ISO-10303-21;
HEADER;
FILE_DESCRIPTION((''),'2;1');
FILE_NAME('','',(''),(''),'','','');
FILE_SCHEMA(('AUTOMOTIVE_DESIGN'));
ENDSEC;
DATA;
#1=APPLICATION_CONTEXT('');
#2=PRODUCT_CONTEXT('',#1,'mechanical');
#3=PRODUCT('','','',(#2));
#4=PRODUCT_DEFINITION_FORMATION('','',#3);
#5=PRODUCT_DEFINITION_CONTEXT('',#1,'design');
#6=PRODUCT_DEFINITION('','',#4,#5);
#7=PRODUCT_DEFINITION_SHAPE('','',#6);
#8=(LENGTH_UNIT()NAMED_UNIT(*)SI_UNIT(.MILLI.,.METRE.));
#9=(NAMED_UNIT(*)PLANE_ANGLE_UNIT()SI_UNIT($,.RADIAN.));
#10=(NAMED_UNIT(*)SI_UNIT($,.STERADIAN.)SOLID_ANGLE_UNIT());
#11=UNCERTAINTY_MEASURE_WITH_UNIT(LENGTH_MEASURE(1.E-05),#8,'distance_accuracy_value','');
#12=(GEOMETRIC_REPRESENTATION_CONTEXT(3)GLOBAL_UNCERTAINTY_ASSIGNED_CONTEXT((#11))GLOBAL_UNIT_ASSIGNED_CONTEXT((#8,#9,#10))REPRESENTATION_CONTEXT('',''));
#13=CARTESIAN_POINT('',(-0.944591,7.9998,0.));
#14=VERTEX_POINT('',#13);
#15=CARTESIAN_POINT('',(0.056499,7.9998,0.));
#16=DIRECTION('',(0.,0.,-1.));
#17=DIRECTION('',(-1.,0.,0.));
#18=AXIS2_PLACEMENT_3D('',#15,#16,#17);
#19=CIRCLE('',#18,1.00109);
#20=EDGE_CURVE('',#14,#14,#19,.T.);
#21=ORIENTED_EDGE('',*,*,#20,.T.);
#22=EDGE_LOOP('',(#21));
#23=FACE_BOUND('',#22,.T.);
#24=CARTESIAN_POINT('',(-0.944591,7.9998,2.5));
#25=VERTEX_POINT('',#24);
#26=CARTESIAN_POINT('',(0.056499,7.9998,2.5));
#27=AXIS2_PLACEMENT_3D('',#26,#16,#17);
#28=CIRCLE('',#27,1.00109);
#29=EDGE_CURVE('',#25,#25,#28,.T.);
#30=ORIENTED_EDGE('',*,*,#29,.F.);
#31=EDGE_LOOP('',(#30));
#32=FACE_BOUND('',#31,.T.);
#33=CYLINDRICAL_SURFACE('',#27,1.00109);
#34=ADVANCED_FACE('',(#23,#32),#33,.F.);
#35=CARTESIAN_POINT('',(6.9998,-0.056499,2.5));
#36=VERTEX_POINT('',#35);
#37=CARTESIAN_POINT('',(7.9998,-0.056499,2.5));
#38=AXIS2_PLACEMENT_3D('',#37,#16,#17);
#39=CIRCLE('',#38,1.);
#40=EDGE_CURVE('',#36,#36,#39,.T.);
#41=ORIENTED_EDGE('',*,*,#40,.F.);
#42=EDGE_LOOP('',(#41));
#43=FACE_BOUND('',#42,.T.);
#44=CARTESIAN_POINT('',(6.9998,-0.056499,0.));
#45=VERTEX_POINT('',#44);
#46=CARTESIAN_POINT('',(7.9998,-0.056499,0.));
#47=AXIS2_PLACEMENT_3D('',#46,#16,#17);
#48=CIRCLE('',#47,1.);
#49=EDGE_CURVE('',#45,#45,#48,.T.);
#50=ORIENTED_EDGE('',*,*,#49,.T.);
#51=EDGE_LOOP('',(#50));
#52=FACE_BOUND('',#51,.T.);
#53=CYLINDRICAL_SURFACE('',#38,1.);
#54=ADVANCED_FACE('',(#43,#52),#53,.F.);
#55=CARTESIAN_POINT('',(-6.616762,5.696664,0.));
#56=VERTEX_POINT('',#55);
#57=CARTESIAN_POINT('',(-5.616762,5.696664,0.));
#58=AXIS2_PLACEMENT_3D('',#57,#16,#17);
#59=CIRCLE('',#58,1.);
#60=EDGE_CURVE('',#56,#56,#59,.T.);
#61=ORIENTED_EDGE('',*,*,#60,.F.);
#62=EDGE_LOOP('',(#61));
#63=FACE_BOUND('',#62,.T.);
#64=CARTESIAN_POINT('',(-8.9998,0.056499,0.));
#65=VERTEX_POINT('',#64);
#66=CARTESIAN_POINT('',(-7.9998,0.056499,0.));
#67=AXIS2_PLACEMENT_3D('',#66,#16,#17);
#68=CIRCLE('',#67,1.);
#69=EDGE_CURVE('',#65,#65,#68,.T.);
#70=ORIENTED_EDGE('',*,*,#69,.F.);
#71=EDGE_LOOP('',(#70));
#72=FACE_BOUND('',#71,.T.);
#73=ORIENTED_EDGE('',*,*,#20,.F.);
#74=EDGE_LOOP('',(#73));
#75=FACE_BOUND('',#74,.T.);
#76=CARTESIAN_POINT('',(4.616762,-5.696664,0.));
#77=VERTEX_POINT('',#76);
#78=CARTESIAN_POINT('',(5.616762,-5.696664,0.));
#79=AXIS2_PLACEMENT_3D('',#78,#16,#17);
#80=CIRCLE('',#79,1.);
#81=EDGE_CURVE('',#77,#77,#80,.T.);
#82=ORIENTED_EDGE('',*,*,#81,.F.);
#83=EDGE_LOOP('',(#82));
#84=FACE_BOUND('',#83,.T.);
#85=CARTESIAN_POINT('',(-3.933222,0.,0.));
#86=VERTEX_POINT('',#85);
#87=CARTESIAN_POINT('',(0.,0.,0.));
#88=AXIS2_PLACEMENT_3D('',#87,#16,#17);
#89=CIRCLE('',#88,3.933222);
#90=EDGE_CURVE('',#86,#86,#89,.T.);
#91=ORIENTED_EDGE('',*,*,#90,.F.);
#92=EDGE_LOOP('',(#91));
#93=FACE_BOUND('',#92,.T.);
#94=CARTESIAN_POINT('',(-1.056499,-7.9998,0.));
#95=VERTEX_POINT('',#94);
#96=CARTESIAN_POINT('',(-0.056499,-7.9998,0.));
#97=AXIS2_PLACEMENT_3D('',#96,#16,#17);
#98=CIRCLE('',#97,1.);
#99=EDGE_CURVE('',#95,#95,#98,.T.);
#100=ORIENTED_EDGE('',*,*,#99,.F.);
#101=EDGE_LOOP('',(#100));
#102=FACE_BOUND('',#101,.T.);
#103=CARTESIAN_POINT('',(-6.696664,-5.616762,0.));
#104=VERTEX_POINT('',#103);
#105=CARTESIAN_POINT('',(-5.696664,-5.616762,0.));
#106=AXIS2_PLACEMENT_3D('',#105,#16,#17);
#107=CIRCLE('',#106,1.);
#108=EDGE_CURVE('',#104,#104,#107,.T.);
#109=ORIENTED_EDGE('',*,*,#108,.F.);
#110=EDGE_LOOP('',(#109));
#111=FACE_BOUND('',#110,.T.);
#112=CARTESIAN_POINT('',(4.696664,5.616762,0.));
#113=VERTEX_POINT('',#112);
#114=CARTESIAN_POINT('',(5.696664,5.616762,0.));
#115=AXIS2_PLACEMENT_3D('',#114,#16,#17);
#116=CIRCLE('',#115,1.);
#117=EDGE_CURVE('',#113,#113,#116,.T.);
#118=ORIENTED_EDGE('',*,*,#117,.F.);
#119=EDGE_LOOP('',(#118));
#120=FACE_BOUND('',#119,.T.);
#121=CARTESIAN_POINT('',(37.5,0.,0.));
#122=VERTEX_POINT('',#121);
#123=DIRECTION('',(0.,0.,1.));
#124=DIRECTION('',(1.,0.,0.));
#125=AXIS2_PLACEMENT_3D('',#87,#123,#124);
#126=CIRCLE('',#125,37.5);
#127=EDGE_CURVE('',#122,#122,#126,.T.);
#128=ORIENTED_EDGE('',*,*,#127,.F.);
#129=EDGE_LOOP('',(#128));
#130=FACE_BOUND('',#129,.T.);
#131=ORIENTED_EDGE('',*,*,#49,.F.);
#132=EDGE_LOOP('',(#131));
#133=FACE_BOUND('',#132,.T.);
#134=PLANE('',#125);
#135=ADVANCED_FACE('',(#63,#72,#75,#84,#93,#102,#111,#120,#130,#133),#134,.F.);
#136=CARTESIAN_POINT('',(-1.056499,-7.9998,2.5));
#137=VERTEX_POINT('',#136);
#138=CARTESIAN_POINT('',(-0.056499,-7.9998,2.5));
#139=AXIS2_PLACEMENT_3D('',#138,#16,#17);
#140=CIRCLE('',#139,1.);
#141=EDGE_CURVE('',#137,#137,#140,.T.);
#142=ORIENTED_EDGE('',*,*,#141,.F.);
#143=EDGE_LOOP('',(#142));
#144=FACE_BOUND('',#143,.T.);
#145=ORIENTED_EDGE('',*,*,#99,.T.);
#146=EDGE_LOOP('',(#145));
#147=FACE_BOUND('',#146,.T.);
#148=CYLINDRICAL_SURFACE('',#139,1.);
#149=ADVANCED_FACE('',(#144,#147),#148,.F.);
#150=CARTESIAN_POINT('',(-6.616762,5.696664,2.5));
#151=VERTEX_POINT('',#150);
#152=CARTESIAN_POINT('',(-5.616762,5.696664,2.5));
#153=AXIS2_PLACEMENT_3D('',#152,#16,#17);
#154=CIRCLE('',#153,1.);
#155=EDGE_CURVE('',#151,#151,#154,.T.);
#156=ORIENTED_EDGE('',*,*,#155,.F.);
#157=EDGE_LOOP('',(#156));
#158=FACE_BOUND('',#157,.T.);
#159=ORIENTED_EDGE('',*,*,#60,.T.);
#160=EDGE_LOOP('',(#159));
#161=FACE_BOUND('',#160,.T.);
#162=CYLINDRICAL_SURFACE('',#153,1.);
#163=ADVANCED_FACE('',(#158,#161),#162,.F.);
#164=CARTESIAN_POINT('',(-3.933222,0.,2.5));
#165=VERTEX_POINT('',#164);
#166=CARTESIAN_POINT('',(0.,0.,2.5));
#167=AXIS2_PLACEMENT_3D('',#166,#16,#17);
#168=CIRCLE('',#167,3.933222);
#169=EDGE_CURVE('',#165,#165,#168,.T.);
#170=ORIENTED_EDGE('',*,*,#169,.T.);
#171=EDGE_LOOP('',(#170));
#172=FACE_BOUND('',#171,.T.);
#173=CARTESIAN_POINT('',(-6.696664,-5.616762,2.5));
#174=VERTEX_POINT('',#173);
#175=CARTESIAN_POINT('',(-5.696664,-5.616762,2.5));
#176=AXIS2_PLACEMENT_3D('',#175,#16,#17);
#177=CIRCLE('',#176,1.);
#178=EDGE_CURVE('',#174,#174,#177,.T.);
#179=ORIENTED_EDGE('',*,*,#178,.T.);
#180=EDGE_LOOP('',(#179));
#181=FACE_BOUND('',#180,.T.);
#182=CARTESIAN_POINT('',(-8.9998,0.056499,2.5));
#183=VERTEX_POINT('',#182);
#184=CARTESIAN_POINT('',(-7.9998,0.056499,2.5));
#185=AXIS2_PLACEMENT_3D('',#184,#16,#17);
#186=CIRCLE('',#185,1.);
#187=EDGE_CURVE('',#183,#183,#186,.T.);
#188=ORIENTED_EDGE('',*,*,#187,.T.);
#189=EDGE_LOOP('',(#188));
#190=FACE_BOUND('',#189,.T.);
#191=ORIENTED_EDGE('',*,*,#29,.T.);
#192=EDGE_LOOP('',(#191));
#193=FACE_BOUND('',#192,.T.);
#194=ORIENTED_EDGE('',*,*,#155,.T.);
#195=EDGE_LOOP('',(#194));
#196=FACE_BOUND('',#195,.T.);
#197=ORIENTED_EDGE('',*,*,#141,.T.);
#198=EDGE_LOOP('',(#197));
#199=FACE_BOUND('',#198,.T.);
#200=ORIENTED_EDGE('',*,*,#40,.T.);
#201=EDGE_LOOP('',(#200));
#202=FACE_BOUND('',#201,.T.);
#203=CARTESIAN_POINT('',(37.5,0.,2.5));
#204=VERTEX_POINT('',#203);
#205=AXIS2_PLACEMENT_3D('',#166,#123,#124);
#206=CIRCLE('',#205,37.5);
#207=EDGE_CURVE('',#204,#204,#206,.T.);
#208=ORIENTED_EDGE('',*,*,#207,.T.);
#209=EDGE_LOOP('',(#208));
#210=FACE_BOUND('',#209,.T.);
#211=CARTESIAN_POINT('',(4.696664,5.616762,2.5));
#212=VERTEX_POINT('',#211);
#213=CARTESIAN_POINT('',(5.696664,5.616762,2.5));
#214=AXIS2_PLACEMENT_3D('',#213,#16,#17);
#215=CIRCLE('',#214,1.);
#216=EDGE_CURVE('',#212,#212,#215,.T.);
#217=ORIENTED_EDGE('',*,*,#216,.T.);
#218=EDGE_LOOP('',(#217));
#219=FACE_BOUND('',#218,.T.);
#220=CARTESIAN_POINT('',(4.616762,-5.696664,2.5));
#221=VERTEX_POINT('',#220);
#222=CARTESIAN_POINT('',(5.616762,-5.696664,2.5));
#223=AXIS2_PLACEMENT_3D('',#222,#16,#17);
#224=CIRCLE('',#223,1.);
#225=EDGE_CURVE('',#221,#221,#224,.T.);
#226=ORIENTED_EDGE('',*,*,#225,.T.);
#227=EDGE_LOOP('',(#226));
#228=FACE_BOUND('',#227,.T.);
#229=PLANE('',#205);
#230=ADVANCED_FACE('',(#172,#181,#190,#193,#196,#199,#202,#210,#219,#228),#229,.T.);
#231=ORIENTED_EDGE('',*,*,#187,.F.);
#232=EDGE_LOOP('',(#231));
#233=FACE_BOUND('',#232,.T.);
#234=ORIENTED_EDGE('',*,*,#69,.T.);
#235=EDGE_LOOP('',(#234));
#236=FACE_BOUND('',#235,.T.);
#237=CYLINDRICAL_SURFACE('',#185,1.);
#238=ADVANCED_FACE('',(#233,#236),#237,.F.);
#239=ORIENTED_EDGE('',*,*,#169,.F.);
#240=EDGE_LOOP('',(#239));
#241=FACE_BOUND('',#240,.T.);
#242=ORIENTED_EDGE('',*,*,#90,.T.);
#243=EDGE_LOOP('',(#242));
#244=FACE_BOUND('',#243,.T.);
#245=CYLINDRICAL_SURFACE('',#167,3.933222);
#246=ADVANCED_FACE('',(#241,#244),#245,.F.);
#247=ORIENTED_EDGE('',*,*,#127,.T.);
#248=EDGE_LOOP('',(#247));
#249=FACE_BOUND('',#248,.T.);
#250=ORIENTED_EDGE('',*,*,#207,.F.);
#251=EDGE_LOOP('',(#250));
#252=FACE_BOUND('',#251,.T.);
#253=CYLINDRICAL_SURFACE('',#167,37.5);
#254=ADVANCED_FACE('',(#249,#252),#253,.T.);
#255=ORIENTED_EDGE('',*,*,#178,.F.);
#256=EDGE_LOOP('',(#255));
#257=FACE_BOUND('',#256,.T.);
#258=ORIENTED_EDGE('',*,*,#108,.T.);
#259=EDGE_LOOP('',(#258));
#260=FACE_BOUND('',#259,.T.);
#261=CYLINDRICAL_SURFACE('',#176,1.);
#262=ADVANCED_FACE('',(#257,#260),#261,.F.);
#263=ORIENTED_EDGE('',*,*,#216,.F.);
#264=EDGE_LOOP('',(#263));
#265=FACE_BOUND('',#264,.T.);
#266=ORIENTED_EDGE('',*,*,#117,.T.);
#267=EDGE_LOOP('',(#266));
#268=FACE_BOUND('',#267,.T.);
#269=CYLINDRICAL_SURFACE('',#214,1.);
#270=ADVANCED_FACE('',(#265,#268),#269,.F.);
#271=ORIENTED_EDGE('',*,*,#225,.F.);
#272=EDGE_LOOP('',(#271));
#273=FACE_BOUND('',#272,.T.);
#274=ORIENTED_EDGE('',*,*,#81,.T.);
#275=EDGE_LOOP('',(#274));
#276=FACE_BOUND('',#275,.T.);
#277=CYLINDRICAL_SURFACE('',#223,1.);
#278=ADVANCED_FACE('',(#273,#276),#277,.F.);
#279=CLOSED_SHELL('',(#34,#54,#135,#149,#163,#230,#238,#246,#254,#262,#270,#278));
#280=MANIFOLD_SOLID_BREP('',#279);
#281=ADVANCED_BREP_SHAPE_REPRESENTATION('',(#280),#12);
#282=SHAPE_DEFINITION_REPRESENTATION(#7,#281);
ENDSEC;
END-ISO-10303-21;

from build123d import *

# Parameters (mm, degrees)
SKETCH1_R           = 37.5
BOSS_EXTRUDE1_DEPTH = 2.5
SKETCH2_R           = 3.933222312
SKETCH2_R_2         = 1
SKETCH2_R_3         = 1.00109015
CUT_EXTRUDE1_DEPTH  = 54.091901454


with BuildPart() as part:
    # Sketch1 → Boss-Extrude1 (new body)
    with BuildSketch(Plane.XY):
        Circle(SKETCH1_R)
    extrude(amount=BOSS_EXTRUDE1_DEPTH)

    # Sketch2 → Cut-Extrude1 (cut, through all)
    with BuildSketch(Plane(origin=(0, 0, 0), x_dir=(-1, 0, 0), z_dir=(0, 0, -1))):
        Circle(SKETCH2_R)
        with Locations((0.056499269, -7.999800487)):
            Circle(SKETCH2_R_2)
        with Locations((-5.616762156, -5.696664189)):
            Circle(SKETCH2_R_2)
        with Locations((-7.999800487, -0.056499269)):
            Circle(SKETCH2_R_2)
        with Locations((-5.696664189, 5.616762156)):
            Circle(SKETCH2_R_2)
        with Locations((-0.056499269, 7.999800487)):
            Circle(SKETCH2_R_3)
        with Locations((5.616762156, 5.696664189)):
            Circle(SKETCH2_R_2)
        with Locations((7.999800487, 0.056499269)):
            Circle(SKETCH2_R_2)
        with Locations((5.696664189, -5.616762156)):
            Circle(SKETCH2_R_2)
    extrude(amount=-CUT_EXTRUDE1_DEPTH, mode=Mode.SUBTRACT)


solid = part.part
